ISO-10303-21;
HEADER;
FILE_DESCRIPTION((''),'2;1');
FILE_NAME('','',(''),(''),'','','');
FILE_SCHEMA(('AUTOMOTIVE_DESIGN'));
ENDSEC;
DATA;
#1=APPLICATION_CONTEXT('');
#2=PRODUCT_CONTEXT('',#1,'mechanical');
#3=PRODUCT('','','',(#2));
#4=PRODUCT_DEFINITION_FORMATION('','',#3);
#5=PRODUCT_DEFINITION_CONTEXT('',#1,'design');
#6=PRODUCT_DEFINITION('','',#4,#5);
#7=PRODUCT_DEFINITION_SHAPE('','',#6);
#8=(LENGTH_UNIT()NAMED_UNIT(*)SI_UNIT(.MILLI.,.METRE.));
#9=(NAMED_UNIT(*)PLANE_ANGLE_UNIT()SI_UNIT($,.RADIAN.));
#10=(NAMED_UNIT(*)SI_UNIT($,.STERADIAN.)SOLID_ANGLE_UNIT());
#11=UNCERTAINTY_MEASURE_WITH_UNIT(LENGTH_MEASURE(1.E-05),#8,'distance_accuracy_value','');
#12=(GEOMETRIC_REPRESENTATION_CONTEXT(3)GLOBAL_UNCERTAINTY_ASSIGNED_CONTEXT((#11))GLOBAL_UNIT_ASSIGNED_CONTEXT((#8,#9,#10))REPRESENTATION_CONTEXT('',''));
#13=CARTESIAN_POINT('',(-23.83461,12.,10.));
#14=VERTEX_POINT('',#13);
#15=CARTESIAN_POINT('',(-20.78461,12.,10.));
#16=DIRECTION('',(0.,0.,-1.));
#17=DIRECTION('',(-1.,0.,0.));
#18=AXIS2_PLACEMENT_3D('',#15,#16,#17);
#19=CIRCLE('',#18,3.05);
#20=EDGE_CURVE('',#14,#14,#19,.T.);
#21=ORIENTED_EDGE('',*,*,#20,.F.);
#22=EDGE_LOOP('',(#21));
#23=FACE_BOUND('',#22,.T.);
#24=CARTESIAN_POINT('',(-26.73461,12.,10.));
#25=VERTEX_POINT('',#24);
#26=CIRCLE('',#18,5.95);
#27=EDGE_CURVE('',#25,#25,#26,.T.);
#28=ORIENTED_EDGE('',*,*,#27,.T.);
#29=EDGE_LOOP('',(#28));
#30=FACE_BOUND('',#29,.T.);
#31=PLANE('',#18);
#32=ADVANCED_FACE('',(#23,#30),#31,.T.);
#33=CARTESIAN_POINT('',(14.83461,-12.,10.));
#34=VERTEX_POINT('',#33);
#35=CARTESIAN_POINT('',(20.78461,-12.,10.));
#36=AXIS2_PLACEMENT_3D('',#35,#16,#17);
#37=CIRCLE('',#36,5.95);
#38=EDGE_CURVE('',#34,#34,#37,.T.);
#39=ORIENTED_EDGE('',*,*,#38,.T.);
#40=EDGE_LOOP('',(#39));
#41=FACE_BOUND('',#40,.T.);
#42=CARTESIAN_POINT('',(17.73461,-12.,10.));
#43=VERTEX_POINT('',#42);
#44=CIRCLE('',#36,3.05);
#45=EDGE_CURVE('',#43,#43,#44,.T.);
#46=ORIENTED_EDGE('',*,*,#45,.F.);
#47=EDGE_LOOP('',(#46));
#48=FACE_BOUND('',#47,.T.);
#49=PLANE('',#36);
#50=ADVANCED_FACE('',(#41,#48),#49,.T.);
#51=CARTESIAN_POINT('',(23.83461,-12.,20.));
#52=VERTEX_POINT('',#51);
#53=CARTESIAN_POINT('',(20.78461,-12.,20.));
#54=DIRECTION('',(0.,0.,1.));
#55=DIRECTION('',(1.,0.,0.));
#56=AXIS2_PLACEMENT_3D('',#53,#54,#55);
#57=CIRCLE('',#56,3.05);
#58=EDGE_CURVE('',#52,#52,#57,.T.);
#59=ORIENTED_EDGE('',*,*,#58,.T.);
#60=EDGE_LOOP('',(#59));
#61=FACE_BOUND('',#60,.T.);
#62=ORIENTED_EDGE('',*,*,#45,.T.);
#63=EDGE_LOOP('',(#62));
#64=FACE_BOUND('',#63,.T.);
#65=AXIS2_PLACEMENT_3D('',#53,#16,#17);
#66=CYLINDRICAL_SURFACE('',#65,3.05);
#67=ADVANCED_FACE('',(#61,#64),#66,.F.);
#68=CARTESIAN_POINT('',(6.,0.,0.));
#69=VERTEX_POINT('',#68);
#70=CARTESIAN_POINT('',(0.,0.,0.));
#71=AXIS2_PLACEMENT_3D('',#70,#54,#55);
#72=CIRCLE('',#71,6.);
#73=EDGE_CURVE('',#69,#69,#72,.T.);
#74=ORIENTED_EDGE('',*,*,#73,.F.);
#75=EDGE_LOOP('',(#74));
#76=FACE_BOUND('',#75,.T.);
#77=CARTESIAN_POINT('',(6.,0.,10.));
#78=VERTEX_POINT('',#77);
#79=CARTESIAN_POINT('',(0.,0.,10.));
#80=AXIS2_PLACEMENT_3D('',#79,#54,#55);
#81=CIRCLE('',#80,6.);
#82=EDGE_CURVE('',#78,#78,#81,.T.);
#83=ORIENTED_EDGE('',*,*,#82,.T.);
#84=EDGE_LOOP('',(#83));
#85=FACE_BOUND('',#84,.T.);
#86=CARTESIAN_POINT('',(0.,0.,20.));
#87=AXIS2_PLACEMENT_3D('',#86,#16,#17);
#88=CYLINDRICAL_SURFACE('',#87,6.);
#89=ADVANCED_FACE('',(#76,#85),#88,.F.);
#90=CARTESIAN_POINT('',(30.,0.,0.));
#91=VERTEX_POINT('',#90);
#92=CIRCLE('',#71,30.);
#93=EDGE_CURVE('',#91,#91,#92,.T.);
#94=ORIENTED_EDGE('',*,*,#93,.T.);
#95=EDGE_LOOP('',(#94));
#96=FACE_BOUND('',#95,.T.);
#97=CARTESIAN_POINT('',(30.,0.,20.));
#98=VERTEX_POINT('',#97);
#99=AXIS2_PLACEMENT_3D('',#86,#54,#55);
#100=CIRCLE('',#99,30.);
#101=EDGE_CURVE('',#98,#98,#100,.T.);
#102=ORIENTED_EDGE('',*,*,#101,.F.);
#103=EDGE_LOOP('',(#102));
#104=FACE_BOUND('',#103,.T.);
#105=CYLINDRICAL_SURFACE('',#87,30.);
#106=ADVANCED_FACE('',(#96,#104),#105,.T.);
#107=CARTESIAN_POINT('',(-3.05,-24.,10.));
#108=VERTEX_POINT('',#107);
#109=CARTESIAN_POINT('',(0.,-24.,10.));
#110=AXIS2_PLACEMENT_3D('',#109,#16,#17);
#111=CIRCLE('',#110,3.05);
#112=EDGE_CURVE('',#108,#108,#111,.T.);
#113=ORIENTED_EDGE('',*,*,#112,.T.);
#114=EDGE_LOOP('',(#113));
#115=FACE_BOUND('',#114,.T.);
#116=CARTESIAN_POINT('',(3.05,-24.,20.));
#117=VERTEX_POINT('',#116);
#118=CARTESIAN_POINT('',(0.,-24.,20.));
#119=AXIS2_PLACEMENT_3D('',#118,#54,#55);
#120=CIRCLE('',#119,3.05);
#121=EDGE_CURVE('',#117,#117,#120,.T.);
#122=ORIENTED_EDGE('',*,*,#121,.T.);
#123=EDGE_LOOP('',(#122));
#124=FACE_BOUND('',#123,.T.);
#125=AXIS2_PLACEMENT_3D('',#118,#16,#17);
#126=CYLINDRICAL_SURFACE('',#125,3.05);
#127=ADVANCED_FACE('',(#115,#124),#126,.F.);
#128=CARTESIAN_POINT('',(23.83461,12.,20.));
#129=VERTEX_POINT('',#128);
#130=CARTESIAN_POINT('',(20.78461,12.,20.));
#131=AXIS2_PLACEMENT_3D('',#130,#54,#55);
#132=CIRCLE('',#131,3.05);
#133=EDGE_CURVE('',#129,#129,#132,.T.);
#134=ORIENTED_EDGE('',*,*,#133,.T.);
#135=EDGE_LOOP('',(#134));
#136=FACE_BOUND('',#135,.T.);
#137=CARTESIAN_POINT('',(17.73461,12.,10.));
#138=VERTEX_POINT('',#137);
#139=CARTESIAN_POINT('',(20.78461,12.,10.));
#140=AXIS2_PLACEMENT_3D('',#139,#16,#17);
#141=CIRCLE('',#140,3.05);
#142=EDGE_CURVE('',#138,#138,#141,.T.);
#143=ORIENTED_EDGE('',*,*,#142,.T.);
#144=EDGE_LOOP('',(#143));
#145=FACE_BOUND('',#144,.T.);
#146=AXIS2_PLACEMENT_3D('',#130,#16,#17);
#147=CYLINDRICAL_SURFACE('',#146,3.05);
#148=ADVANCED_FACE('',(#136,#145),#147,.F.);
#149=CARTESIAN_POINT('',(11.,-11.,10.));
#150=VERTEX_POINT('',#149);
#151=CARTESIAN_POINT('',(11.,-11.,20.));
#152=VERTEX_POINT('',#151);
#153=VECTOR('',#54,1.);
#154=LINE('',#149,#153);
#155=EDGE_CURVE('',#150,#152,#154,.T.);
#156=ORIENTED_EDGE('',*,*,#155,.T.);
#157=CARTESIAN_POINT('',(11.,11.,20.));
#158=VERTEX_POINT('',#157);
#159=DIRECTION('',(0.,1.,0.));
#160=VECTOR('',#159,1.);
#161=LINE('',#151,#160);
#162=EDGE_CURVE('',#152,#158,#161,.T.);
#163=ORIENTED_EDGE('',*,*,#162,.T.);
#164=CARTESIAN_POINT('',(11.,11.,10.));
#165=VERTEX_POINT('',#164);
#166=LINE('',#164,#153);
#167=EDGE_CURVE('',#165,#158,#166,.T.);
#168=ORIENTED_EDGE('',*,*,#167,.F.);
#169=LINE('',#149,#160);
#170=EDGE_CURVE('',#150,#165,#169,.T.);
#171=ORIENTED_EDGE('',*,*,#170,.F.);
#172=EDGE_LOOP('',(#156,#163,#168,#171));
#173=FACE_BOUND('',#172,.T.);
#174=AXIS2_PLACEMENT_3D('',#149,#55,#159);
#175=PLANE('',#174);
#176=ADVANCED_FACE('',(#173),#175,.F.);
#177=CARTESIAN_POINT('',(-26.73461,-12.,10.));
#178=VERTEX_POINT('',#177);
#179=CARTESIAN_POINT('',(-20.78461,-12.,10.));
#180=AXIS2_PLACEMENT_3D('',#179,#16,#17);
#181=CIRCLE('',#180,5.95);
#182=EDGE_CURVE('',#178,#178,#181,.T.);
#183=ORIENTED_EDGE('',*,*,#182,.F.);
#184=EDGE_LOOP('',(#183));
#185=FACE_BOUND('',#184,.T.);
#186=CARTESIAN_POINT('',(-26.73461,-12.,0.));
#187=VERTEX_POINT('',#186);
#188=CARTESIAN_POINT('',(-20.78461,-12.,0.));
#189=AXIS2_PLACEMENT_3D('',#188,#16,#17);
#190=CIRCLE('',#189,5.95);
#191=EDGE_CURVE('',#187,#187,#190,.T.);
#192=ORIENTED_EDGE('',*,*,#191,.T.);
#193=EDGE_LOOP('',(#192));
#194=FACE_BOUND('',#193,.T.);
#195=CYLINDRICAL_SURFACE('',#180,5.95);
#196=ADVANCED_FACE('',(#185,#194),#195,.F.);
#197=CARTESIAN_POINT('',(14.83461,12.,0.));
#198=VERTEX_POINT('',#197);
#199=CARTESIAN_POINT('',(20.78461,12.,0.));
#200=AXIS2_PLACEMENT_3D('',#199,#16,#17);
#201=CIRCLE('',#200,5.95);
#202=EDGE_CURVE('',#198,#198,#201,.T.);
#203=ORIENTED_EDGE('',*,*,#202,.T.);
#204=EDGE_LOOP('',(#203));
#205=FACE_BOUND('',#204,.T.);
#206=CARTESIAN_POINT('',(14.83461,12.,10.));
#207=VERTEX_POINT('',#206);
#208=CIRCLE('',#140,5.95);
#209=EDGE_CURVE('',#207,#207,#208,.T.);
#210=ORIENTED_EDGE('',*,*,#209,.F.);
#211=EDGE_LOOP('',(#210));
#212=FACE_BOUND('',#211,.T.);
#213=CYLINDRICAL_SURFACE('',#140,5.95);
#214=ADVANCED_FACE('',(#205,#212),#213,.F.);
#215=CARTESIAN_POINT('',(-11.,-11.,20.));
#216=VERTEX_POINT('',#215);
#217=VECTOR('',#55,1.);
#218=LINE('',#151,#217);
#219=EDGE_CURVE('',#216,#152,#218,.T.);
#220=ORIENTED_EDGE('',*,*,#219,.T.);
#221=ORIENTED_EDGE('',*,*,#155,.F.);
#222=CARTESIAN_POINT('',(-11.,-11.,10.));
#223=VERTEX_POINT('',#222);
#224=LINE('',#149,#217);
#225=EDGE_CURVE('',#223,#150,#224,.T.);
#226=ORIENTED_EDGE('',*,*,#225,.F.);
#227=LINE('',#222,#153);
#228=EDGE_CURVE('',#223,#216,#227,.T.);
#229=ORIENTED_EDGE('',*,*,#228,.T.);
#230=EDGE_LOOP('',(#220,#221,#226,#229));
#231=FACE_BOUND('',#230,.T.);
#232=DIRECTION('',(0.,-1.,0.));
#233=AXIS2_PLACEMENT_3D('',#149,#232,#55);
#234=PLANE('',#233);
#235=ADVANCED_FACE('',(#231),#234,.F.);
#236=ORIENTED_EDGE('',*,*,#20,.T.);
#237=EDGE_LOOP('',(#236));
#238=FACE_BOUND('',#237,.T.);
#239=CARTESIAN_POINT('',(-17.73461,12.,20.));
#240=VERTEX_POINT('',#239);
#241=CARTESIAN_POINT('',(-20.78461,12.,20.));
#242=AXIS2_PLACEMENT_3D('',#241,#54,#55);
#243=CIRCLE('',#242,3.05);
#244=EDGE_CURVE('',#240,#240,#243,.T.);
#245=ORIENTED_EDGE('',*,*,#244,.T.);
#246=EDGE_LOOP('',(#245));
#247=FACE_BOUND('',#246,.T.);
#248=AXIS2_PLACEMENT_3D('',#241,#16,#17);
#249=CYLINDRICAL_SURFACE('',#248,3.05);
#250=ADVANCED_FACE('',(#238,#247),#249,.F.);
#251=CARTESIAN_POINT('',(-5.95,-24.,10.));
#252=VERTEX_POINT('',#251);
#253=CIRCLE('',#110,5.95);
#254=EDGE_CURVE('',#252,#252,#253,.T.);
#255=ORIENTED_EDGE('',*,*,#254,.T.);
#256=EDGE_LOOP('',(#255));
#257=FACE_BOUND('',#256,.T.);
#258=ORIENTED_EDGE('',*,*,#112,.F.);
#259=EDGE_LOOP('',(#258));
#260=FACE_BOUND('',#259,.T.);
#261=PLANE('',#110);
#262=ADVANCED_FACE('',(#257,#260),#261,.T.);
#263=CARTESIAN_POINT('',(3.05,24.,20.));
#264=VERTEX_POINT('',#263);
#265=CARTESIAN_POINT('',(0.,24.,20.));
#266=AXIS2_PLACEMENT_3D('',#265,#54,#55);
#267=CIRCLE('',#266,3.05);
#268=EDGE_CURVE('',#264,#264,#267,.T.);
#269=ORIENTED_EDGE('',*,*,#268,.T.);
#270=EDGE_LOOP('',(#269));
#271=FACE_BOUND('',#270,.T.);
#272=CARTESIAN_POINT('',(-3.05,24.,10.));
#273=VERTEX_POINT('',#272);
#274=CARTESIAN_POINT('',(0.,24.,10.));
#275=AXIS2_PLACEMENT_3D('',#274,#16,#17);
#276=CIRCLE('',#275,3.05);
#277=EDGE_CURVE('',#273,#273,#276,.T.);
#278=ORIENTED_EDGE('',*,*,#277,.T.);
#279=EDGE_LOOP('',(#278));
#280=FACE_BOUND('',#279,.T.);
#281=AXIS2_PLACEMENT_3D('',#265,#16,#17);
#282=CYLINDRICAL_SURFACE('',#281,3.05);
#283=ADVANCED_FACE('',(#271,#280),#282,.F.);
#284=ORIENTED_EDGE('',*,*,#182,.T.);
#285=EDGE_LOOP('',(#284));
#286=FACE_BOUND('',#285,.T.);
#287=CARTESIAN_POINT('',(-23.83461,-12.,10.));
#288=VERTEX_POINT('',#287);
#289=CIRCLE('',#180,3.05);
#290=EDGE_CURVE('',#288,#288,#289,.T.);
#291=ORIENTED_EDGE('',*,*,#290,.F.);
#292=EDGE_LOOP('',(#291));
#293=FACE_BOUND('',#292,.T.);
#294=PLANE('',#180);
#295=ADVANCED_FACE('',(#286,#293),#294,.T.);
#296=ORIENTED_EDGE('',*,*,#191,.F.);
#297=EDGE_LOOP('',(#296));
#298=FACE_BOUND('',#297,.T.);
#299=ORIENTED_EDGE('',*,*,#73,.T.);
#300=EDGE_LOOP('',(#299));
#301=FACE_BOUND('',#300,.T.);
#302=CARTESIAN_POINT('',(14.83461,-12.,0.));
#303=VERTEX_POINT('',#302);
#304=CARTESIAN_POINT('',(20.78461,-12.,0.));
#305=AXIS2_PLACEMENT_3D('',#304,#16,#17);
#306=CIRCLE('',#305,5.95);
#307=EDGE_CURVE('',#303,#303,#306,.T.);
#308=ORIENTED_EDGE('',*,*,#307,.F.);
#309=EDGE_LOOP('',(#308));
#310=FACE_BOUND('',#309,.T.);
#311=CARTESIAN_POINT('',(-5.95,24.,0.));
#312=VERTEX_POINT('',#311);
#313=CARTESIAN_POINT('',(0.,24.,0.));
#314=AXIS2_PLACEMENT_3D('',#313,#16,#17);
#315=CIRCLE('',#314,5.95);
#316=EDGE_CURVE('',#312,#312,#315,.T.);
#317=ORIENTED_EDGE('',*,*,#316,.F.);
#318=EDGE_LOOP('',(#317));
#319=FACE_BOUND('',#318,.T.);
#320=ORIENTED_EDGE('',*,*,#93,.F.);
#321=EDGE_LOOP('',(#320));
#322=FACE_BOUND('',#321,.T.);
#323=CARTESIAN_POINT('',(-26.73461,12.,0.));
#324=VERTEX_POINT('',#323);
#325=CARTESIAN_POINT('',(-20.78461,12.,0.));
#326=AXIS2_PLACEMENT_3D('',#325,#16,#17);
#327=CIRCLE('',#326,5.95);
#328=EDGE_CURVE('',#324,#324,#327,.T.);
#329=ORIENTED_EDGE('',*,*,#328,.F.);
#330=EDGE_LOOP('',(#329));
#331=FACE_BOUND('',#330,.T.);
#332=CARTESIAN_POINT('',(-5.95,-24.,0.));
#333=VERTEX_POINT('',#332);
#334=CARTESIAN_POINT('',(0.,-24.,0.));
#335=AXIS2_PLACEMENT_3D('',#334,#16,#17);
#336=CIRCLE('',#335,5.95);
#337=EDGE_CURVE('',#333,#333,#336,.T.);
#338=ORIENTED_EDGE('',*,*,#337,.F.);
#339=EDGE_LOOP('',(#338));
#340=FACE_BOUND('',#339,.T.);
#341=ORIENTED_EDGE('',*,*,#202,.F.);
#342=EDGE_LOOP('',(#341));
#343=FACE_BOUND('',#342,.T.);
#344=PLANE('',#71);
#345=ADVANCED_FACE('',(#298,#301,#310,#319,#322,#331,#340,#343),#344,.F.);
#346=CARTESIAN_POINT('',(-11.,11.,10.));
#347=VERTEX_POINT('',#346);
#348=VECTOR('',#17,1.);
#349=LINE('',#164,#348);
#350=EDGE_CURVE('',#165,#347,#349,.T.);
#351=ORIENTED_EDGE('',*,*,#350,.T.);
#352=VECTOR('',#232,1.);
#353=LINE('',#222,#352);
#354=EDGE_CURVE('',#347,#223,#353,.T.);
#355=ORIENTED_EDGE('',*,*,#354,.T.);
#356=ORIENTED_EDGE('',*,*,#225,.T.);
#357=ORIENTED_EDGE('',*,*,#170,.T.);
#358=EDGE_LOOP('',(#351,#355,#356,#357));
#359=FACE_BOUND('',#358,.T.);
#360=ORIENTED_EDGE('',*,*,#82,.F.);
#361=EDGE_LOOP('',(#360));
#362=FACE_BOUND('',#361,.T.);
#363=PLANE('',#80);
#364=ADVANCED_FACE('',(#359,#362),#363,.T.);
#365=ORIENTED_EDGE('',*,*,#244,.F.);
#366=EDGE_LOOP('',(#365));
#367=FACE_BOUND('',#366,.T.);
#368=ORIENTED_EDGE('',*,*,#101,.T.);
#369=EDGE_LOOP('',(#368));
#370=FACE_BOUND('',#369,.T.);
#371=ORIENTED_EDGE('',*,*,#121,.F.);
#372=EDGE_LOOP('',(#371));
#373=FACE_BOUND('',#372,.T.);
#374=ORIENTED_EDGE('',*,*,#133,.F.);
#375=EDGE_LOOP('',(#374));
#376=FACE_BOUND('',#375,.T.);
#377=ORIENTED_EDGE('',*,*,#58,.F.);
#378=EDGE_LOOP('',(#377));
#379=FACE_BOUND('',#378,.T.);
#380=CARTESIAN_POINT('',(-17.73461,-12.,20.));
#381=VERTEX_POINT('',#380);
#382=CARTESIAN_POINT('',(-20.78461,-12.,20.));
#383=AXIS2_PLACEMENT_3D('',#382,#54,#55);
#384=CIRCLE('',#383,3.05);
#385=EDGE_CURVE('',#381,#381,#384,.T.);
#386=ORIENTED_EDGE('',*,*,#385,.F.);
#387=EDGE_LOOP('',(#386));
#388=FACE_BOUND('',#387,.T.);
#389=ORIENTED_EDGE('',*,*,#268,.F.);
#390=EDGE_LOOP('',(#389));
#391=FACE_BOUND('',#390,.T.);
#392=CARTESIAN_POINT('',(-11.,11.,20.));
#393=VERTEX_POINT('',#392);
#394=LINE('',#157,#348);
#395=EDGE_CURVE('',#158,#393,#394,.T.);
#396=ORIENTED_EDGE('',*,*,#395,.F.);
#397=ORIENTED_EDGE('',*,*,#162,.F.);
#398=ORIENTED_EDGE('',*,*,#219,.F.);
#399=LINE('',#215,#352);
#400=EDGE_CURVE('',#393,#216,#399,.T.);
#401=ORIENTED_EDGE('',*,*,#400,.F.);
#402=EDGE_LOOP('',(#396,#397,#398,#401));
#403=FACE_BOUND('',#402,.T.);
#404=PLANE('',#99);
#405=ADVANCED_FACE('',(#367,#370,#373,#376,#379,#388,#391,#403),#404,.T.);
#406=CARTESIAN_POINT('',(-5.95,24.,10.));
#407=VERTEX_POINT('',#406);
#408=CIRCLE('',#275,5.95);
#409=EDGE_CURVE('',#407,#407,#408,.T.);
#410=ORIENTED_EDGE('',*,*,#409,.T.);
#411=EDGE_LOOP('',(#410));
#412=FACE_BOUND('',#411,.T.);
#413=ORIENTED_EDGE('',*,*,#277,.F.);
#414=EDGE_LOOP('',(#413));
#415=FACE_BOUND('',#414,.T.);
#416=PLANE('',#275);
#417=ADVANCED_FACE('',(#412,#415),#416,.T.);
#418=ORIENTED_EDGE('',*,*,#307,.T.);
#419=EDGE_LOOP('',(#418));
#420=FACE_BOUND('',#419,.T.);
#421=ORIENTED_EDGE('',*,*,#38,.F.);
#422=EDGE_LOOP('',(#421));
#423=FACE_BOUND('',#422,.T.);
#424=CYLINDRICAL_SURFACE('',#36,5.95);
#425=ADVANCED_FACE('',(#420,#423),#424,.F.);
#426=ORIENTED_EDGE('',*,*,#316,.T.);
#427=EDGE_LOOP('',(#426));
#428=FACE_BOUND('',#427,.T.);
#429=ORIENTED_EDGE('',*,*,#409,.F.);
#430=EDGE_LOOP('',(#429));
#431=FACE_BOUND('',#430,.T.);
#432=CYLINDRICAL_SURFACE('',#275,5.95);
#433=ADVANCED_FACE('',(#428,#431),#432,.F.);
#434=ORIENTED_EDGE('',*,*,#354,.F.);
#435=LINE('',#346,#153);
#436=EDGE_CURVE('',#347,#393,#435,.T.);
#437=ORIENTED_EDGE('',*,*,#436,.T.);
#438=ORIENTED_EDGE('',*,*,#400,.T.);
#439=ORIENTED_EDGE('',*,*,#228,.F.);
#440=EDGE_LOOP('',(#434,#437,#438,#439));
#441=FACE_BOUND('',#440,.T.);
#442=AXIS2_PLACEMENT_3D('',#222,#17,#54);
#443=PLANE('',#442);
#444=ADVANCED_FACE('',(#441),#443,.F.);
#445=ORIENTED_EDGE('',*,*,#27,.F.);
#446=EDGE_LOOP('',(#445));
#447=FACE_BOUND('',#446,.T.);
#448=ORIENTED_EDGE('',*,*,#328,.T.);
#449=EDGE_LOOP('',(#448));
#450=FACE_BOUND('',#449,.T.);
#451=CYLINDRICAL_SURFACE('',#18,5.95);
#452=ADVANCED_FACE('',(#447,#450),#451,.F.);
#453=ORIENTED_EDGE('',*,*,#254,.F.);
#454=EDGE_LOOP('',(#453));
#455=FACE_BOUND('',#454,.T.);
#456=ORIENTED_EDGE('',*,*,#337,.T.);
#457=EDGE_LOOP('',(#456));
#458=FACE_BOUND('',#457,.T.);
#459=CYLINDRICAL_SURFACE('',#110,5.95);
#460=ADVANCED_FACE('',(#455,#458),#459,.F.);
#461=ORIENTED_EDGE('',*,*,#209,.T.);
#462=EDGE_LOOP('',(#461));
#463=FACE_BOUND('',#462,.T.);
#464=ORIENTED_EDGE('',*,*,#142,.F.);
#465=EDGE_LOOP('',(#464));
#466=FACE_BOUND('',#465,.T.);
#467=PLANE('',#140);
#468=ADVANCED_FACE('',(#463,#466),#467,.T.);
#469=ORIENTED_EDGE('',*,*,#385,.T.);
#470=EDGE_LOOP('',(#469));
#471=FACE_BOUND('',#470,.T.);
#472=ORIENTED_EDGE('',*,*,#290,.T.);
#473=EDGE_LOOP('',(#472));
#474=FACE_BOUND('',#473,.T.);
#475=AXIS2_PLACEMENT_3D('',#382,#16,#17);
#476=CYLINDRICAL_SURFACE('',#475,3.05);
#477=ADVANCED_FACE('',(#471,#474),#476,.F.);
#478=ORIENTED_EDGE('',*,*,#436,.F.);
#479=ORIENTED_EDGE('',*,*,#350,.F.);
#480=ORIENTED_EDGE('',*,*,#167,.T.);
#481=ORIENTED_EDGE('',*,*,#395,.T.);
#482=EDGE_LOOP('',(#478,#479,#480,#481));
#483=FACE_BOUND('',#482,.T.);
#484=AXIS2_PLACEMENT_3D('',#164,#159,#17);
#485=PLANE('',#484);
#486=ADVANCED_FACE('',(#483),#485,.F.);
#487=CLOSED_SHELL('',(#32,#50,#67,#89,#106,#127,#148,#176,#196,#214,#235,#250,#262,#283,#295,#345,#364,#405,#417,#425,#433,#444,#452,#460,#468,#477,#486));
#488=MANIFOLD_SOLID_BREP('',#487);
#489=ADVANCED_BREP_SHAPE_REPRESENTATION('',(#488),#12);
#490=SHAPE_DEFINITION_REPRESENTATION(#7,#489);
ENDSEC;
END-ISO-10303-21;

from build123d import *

# Parameters (mm, degrees)
SKETCH_1_R          = 30
SKETCH_1_R_2        = 3.05
SKETCH_1_R_3        = 6
EXTRUDE_1_DEPTH     = 20
SKETCH_2_W          = 22
SKETCH_2_H          = 22
CUT_EXTRUDE_1_DEPTH = 10
SKETCH_3_R          = 5.95
CUT_EXTRUDE_6_DEPTH = 10


with BuildPart() as part:
    # Эскиз1 → Бобышка-Вытянуть1 (new body)
    with BuildSketch(Plane.XY):
        Circle(SKETCH_1_R)
        with Locations((0, 24)):
            Circle(SKETCH_1_R_2, mode=Mode.SUBTRACT)
        with Locations((20.784609691, 12)):
            Circle(SKETCH_1_R_2, mode=Mode.SUBTRACT)
        with Locations((20.784609691, -12)):
            Circle(SKETCH_1_R_2, mode=Mode.SUBTRACT)
        with Locations((0, -24)):
            Circle(SKETCH_1_R_2, mode=Mode.SUBTRACT)
        with Locations((-20.784609691, -12)):
            Circle(SKETCH_1_R_2, mode=Mode.SUBTRACT)
        with Locations((-20.784609691, 12)):
            Circle(SKETCH_1_R_2, mode=Mode.SUBTRACT)
        Circle(SKETCH_1_R_3, mode=Mode.SUBTRACT)
    extrude(amount=EXTRUDE_1_DEPTH)

    # Эскиз2 → Вырез-Вытянуть1 (cut)
    with BuildSketch(Plane.XY.offset(20)):
        Rectangle(SKETCH_2_W, SKETCH_2_H)
    extrude(amount=-CUT_EXTRUDE_1_DEPTH, mode=Mode.SUBTRACT)

    # Эскиз3 → Вырез-Вытянуть6 (cut)
    with BuildSketch(Plane(origin=(0, 0, 0), x_dir=(-1, 0, 0), z_dir=(0, 0, -1))):
        with Locations((0, 24)):
            Circle(SKETCH_3_R)
        with Locations((20.784609691, 12)):
            Circle(SKETCH_3_R)
        with Locations((20.784609691, -12)):
            Circle(SKETCH_3_R)
        with Locations((0, -24)):
            Circle(SKETCH_3_R)
        with Locations((-20.784609691, -12)):
            Circle(SKETCH_3_R)
        with Locations((-20.784609691, 12)):
            Circle(SKETCH_3_R)
    extrude(amount=-CUT_EXTRUDE_6_DEPTH, mode=Mode.SUBTRACT)


solid = part.part
